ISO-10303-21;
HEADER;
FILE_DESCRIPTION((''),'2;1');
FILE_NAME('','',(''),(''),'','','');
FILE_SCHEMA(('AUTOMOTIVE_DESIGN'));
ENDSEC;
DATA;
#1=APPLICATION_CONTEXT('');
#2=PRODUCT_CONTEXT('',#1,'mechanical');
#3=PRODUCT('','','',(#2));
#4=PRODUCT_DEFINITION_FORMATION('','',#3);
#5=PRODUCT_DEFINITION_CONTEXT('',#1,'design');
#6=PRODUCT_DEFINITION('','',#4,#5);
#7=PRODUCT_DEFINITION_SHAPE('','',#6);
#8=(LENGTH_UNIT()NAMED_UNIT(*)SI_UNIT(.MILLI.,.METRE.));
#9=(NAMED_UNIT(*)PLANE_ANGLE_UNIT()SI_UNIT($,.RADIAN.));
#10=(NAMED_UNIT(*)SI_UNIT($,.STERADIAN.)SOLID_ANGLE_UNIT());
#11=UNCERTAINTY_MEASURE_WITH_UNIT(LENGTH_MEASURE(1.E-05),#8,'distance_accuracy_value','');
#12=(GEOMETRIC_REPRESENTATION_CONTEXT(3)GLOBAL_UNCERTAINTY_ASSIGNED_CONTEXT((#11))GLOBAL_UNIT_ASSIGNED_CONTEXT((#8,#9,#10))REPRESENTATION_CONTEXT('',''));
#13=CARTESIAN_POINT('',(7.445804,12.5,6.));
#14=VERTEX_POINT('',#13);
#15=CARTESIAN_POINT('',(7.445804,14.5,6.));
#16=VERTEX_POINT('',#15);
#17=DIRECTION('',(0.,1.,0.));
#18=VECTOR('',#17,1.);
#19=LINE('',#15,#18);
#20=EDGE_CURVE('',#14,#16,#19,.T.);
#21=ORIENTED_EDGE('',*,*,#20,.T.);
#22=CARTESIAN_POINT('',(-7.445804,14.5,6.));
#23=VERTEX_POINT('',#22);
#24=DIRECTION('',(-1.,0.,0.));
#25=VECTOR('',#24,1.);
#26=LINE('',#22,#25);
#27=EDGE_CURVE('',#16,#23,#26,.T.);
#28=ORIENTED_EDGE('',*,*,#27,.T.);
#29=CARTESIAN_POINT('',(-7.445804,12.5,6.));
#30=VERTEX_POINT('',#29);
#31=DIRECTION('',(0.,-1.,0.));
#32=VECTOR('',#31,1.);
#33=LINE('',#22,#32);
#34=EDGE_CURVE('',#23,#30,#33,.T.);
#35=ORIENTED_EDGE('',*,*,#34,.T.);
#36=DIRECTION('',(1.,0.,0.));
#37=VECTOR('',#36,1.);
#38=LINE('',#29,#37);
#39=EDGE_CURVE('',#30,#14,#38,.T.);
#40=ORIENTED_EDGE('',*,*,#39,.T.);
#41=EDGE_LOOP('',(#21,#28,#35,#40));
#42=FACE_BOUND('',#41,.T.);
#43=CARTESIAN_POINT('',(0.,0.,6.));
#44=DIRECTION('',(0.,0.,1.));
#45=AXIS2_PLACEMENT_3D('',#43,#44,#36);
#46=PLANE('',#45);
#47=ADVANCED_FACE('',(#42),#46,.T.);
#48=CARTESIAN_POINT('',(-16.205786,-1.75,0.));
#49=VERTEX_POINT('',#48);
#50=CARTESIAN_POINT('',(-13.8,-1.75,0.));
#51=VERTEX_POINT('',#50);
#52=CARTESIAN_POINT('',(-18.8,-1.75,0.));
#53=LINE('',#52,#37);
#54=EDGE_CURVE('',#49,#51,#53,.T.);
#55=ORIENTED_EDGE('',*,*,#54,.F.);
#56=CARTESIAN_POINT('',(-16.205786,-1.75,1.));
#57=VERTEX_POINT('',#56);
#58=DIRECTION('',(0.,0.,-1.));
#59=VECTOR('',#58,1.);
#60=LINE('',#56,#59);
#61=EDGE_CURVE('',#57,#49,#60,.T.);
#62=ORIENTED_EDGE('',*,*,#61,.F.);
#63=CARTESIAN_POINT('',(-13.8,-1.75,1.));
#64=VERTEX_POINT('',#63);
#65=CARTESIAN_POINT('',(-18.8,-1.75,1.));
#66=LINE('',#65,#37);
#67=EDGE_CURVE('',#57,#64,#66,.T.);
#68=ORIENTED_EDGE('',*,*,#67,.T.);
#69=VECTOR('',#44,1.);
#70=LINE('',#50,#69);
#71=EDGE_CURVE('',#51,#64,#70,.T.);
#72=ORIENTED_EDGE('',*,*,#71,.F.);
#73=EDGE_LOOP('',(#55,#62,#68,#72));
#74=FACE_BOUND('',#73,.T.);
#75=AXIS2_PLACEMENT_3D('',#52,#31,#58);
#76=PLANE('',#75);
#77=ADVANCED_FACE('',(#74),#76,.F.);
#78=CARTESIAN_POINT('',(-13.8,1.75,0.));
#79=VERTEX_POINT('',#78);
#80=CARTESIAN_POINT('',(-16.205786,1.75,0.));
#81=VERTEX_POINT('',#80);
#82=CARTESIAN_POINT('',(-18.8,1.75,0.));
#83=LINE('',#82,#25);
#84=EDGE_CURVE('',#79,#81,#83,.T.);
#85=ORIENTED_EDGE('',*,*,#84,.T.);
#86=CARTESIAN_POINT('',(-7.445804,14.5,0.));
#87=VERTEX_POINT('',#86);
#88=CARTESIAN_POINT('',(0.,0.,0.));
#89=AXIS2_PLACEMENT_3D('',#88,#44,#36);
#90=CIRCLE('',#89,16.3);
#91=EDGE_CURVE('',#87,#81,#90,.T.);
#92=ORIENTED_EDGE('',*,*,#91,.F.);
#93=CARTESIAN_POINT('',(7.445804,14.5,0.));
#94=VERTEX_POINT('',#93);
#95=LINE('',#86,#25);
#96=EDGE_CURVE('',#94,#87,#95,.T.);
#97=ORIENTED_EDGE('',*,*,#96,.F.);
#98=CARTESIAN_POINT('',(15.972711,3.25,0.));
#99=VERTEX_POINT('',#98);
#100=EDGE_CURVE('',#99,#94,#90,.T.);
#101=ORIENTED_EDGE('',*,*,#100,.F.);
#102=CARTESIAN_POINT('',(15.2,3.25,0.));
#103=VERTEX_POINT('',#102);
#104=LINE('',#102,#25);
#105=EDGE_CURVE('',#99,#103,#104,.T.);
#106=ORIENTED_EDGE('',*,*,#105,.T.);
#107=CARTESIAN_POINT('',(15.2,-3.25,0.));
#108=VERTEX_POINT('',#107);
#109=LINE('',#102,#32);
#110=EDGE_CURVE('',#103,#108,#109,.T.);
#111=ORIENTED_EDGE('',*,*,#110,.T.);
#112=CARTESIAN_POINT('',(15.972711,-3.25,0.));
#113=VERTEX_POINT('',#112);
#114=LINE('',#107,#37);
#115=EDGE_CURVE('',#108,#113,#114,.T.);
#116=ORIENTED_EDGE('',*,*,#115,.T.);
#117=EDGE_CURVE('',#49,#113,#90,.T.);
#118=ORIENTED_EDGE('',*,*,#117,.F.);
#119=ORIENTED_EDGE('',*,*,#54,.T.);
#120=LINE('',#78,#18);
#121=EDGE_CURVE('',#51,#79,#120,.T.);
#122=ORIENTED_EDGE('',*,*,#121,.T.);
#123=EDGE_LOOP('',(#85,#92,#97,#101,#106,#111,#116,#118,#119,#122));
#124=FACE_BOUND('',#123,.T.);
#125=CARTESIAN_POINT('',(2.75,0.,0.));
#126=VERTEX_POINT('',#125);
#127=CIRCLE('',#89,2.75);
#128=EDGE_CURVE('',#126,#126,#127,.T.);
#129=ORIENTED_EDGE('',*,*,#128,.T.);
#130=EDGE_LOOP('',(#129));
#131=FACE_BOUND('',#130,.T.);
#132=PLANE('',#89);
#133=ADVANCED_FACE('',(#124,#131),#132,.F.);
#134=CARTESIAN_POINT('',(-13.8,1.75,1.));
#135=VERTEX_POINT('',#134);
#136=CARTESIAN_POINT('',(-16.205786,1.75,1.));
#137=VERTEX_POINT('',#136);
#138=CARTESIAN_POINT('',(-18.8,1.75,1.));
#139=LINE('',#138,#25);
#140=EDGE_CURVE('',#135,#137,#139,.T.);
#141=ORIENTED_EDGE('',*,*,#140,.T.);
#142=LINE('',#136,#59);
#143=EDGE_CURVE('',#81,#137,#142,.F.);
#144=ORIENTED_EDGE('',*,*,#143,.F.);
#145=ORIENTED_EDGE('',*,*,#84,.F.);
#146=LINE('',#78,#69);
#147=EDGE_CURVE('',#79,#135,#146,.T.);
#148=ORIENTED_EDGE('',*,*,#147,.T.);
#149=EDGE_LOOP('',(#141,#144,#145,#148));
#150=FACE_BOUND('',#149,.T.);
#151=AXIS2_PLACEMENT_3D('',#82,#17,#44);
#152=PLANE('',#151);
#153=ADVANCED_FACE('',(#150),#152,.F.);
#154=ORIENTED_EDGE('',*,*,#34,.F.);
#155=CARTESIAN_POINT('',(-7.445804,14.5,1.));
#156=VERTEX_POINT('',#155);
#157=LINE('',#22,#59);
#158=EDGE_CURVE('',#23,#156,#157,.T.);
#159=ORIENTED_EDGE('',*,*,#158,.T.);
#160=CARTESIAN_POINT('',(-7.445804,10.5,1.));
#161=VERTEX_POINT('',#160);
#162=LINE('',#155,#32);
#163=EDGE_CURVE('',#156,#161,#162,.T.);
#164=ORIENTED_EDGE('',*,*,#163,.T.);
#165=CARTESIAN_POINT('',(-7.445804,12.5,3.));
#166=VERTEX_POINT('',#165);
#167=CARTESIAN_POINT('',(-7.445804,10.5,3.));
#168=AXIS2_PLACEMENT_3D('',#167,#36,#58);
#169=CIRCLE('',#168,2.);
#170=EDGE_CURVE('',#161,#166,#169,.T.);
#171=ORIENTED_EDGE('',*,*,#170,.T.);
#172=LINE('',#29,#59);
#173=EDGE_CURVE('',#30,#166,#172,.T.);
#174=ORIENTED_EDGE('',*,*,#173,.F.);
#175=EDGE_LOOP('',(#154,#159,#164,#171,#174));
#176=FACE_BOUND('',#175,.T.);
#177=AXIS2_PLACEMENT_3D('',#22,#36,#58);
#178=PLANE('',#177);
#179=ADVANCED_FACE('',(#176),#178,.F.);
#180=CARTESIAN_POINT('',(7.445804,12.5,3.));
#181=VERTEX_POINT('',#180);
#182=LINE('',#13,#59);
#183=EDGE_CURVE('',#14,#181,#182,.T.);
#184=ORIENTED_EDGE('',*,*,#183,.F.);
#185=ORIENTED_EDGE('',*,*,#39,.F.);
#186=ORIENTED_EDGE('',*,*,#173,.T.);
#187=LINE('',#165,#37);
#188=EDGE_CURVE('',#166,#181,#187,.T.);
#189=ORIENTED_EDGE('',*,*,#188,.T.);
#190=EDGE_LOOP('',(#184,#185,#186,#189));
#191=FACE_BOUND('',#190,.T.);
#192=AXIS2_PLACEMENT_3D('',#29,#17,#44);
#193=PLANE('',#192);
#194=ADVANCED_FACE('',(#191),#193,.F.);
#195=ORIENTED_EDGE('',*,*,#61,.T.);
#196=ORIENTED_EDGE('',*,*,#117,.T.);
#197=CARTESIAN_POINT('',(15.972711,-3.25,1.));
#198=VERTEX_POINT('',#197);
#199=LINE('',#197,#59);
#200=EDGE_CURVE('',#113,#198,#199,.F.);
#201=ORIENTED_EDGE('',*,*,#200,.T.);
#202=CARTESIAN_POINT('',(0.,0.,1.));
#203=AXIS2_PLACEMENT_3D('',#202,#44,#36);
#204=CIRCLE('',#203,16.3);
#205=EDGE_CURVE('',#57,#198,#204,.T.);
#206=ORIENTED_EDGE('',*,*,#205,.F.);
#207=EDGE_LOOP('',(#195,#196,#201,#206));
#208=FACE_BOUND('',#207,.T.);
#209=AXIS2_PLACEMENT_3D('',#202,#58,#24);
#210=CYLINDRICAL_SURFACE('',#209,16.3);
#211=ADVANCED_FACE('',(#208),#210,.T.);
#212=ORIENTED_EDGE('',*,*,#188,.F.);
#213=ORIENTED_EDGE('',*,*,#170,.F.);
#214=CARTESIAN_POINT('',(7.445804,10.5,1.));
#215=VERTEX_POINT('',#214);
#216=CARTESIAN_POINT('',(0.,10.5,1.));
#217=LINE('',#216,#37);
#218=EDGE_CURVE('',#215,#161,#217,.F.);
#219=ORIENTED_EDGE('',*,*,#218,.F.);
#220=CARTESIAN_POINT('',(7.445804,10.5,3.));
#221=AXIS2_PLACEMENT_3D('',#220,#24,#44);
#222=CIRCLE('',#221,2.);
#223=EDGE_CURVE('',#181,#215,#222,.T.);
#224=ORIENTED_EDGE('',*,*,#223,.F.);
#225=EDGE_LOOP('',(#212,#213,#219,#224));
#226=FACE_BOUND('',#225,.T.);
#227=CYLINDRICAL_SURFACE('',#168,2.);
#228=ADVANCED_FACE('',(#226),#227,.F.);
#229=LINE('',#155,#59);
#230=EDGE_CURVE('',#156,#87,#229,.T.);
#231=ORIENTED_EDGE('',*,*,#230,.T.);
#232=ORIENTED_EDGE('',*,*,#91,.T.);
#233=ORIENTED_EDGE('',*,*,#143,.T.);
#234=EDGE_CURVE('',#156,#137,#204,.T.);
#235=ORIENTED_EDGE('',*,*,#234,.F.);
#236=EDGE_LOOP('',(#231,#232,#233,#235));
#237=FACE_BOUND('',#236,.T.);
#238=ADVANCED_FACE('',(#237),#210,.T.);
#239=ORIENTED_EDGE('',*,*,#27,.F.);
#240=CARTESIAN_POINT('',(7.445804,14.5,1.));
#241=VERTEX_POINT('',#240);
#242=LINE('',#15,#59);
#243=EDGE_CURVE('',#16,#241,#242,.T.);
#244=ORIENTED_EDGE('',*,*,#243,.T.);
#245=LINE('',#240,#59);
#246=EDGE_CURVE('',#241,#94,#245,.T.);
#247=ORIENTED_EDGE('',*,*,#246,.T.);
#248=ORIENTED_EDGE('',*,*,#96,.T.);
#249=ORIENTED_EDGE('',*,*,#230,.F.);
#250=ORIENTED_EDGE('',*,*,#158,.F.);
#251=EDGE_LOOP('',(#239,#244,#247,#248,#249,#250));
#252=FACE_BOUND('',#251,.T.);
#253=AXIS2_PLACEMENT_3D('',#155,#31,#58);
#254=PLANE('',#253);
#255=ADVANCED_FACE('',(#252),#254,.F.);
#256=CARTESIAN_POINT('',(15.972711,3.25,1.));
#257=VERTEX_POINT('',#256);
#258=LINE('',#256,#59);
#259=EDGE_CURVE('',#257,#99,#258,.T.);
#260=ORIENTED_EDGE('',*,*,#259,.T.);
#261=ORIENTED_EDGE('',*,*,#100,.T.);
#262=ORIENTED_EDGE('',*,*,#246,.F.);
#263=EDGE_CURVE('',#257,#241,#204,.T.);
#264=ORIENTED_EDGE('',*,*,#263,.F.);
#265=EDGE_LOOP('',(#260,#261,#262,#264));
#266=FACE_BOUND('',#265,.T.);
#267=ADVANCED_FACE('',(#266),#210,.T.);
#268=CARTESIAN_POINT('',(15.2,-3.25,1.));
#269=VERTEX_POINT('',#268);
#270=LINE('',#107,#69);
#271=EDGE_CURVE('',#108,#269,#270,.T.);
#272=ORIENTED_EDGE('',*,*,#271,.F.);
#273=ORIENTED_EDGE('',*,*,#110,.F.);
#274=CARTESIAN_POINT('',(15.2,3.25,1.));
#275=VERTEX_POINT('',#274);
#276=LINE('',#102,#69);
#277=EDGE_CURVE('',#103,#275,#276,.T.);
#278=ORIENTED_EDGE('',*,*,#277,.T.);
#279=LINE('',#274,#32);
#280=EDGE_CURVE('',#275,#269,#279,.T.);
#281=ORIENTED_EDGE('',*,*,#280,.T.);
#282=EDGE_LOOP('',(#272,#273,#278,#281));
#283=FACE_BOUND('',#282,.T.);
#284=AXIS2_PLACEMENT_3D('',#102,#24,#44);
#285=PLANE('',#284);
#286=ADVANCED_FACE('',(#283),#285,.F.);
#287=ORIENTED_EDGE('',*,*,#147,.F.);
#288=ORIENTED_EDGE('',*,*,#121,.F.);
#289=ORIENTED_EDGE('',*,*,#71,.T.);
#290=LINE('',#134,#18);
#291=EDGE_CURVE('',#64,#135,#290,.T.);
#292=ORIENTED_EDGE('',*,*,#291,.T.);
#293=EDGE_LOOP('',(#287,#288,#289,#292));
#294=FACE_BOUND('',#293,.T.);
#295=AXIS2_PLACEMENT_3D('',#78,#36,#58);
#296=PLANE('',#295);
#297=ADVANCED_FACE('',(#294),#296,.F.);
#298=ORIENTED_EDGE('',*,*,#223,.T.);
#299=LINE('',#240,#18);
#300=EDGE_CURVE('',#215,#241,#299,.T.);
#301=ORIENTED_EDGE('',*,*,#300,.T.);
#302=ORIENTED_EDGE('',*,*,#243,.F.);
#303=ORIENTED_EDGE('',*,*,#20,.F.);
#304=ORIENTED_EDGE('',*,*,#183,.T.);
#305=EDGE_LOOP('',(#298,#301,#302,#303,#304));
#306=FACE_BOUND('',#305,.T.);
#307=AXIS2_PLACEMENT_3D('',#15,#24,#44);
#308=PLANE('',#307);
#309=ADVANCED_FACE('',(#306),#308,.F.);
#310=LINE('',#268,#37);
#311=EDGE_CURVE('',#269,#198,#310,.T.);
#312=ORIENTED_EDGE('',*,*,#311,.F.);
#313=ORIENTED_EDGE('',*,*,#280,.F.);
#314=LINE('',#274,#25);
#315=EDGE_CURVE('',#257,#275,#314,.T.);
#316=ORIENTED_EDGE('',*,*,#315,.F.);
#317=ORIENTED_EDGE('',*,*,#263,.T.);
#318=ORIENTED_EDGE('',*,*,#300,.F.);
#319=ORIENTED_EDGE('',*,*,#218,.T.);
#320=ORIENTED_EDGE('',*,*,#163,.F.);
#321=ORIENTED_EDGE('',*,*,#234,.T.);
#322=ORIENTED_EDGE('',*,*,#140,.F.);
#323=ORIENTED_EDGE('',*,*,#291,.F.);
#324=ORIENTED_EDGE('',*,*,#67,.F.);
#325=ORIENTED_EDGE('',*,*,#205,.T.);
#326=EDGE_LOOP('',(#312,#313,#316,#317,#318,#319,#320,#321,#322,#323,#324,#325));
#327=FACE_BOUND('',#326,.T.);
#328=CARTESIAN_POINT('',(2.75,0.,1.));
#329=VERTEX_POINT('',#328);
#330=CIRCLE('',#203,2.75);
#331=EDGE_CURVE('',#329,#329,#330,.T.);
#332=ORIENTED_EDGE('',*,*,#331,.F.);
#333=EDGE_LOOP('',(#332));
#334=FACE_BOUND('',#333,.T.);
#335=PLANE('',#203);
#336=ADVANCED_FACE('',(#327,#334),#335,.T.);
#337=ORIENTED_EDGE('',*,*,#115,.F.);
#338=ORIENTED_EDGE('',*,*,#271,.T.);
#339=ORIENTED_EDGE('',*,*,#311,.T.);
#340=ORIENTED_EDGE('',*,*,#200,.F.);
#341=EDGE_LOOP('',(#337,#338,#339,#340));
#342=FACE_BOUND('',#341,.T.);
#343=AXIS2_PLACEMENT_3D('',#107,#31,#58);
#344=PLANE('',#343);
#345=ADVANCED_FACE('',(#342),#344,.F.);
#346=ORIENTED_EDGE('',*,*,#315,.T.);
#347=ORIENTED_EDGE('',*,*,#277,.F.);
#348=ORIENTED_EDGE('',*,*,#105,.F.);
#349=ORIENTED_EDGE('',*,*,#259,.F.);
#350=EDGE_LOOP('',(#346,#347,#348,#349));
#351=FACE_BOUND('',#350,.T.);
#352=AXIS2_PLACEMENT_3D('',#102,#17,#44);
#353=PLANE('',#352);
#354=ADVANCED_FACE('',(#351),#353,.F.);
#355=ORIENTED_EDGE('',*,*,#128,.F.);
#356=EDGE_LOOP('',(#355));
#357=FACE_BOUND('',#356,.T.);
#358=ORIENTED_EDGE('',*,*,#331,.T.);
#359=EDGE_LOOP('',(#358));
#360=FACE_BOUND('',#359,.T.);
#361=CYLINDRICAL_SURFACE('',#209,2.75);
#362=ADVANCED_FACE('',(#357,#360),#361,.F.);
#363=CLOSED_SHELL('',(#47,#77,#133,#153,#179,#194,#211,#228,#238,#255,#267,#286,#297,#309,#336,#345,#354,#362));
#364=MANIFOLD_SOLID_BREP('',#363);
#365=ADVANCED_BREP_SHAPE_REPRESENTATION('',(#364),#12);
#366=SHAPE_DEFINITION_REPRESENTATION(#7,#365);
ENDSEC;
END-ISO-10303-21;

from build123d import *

# Parameters (mm, degrees)
SKETCH_1_R          = 2.75
EXTRUDE_1_DEPTH     = 1
SKETCH_2_W          = 5
SKETCH_2_H          = 3.5
SKETCH_2_W_2        = 2
SKETCH_2_H_2        = 6.5
CUT_EXTRUDE_1_DEPTH = 2
SKETCH_3_W          = 14.891608376
SKETCH_3_H          = 2
EXTRUDE_2_DEPTH     = 5
FILLET_1_R          = 2


with BuildPart() as part:
    # 草图1 → 凸台-拉伸1 (new body)
    with BuildSketch(Plane.XY):
        with BuildLine():
            Line((-7.445804188, 14.5), (7.445804188, 14.5))
            ThreePointArc((7.445804188, 14.5), (0, -16.3), (-7.445804188, 14.5))
        make_face()
        Circle(SKETCH_1_R, mode=Mode.SUBTRACT)
    extrude(amount=EXTRUDE_1_DEPTH)

    # 草图2 → 切除-拉伸1 (cut, through all)
    with BuildSketch(Plane.XY.offset(1)):
        with Locations((-16.3, 0)):
            Rectangle(SKETCH_2_W, SKETCH_2_H)
        with Locations((16.2, 0)):
            Rectangle(SKETCH_2_W_2, SKETCH_2_H_2)
    extrude(amount=-CUT_EXTRUDE_1_DEPTH, mode=Mode.SUBTRACT)

    # 草图3 → 凸台-拉伸2 (add)
    with BuildSketch(Plane.XY.offset(1)):
        with Locations((0, 13.5)):
            Rectangle(SKETCH_3_W, SKETCH_3_H)
    extrude(amount=EXTRUDE_2_DEPTH)

    # 圆角1
    fillet_1_edges = [part.edges().sort_by_distance(p)[0] for p in [
        (0, 12.5, 1),
    ]]
    fillet(fillet_1_edges, radius=FILLET_1_R)


solid = part.part
